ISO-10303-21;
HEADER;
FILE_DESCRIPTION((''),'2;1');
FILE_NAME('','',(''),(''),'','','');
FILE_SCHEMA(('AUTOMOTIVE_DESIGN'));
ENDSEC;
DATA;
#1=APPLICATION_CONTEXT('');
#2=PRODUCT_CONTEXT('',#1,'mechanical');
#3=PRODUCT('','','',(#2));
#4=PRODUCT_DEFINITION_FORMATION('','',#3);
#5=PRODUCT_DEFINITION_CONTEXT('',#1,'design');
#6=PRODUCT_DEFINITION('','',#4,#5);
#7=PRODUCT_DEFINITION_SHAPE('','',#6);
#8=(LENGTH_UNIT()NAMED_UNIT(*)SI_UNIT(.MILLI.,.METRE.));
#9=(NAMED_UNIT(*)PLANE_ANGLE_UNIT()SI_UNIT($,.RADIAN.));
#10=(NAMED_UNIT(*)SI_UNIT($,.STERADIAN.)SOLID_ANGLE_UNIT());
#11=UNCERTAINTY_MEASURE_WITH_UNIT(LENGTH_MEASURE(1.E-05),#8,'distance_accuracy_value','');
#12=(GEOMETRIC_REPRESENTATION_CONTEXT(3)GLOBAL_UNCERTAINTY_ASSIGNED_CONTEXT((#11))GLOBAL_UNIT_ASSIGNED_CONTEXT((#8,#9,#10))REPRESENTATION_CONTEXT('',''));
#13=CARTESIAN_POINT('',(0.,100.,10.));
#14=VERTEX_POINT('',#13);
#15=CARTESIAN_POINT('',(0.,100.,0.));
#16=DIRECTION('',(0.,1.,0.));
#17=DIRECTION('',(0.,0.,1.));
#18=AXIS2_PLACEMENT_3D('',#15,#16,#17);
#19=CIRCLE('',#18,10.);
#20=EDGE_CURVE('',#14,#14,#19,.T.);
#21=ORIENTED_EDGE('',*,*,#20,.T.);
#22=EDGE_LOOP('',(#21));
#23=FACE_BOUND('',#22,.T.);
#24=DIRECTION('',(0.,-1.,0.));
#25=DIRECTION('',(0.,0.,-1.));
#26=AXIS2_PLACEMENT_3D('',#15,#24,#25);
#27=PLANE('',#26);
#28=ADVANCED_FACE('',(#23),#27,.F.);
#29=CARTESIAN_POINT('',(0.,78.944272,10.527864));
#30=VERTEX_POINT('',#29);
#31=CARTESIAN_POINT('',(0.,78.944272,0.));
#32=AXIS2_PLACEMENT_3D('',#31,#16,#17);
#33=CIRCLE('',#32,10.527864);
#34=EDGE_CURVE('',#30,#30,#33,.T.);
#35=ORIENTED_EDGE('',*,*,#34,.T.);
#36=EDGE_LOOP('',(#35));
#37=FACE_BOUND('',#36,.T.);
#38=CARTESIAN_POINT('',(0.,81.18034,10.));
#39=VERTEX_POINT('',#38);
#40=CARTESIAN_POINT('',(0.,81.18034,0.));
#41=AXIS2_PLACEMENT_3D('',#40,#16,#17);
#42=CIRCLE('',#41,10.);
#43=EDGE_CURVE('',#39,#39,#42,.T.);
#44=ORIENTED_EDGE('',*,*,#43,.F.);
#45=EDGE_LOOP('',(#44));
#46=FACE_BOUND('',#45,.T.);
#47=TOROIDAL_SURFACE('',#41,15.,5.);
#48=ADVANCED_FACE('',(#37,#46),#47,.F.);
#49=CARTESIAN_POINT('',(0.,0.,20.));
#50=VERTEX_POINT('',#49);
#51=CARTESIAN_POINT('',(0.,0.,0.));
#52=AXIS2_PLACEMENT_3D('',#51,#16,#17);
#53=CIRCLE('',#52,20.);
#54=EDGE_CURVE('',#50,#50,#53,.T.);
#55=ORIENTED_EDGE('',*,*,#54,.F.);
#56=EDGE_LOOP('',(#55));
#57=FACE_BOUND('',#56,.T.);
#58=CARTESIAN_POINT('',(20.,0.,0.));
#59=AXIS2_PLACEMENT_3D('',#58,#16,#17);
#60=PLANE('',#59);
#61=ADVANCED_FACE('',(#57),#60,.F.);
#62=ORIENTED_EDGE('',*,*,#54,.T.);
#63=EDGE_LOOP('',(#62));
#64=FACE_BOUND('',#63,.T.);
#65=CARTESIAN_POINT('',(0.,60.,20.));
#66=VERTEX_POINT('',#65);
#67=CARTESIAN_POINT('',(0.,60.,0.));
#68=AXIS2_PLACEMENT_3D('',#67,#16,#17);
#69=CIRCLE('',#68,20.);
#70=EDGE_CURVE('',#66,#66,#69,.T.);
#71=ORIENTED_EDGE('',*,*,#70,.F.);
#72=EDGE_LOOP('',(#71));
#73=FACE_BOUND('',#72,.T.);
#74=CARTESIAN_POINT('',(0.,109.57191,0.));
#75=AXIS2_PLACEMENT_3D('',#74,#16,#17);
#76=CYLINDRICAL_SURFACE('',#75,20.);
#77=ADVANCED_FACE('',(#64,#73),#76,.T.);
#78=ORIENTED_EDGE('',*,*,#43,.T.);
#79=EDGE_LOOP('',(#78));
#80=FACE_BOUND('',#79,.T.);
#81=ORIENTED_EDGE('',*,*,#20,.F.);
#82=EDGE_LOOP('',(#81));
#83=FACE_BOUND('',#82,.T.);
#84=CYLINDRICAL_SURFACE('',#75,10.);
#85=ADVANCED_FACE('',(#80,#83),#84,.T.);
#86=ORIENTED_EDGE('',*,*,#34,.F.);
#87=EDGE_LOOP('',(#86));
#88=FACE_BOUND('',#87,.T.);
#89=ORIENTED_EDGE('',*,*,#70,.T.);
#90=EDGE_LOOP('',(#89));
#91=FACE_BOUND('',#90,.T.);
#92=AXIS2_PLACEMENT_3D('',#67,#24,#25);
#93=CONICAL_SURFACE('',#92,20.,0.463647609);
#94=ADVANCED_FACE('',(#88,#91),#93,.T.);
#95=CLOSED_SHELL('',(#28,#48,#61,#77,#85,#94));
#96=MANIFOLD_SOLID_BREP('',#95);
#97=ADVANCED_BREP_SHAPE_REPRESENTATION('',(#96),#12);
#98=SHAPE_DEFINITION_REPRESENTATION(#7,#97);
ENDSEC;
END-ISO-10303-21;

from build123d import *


with BuildPart() as part:
    # Sketch1 → Revolve1 (revolve)
    with BuildSketch(Plane.XY, mode=Mode.PRIVATE) as revolve1_sk:
        with BuildLine():
            Line((0, 0), (0, 100))
            Line((0, 100), (10, 100))
            Line((10, 100), (10, 81.180339887))
            ThreePointArc((10, 81.180339887), (10.133755053, 80.031575285), (10.527864045, 78.94427191))
            Line((10.527864045, 78.94427191), (20, 60))
            Line((20, 60), (20, 0))
            Line((20, 0), (0, 0))
        make_face()
    revolve(revolve1_sk.sketch.rotate(Axis((0, 109.571909523, 0), (0, -1, 0)), 90), axis=Axis((0, 109.571909523, 0), (0, -1, 0)))


solid = part.part
